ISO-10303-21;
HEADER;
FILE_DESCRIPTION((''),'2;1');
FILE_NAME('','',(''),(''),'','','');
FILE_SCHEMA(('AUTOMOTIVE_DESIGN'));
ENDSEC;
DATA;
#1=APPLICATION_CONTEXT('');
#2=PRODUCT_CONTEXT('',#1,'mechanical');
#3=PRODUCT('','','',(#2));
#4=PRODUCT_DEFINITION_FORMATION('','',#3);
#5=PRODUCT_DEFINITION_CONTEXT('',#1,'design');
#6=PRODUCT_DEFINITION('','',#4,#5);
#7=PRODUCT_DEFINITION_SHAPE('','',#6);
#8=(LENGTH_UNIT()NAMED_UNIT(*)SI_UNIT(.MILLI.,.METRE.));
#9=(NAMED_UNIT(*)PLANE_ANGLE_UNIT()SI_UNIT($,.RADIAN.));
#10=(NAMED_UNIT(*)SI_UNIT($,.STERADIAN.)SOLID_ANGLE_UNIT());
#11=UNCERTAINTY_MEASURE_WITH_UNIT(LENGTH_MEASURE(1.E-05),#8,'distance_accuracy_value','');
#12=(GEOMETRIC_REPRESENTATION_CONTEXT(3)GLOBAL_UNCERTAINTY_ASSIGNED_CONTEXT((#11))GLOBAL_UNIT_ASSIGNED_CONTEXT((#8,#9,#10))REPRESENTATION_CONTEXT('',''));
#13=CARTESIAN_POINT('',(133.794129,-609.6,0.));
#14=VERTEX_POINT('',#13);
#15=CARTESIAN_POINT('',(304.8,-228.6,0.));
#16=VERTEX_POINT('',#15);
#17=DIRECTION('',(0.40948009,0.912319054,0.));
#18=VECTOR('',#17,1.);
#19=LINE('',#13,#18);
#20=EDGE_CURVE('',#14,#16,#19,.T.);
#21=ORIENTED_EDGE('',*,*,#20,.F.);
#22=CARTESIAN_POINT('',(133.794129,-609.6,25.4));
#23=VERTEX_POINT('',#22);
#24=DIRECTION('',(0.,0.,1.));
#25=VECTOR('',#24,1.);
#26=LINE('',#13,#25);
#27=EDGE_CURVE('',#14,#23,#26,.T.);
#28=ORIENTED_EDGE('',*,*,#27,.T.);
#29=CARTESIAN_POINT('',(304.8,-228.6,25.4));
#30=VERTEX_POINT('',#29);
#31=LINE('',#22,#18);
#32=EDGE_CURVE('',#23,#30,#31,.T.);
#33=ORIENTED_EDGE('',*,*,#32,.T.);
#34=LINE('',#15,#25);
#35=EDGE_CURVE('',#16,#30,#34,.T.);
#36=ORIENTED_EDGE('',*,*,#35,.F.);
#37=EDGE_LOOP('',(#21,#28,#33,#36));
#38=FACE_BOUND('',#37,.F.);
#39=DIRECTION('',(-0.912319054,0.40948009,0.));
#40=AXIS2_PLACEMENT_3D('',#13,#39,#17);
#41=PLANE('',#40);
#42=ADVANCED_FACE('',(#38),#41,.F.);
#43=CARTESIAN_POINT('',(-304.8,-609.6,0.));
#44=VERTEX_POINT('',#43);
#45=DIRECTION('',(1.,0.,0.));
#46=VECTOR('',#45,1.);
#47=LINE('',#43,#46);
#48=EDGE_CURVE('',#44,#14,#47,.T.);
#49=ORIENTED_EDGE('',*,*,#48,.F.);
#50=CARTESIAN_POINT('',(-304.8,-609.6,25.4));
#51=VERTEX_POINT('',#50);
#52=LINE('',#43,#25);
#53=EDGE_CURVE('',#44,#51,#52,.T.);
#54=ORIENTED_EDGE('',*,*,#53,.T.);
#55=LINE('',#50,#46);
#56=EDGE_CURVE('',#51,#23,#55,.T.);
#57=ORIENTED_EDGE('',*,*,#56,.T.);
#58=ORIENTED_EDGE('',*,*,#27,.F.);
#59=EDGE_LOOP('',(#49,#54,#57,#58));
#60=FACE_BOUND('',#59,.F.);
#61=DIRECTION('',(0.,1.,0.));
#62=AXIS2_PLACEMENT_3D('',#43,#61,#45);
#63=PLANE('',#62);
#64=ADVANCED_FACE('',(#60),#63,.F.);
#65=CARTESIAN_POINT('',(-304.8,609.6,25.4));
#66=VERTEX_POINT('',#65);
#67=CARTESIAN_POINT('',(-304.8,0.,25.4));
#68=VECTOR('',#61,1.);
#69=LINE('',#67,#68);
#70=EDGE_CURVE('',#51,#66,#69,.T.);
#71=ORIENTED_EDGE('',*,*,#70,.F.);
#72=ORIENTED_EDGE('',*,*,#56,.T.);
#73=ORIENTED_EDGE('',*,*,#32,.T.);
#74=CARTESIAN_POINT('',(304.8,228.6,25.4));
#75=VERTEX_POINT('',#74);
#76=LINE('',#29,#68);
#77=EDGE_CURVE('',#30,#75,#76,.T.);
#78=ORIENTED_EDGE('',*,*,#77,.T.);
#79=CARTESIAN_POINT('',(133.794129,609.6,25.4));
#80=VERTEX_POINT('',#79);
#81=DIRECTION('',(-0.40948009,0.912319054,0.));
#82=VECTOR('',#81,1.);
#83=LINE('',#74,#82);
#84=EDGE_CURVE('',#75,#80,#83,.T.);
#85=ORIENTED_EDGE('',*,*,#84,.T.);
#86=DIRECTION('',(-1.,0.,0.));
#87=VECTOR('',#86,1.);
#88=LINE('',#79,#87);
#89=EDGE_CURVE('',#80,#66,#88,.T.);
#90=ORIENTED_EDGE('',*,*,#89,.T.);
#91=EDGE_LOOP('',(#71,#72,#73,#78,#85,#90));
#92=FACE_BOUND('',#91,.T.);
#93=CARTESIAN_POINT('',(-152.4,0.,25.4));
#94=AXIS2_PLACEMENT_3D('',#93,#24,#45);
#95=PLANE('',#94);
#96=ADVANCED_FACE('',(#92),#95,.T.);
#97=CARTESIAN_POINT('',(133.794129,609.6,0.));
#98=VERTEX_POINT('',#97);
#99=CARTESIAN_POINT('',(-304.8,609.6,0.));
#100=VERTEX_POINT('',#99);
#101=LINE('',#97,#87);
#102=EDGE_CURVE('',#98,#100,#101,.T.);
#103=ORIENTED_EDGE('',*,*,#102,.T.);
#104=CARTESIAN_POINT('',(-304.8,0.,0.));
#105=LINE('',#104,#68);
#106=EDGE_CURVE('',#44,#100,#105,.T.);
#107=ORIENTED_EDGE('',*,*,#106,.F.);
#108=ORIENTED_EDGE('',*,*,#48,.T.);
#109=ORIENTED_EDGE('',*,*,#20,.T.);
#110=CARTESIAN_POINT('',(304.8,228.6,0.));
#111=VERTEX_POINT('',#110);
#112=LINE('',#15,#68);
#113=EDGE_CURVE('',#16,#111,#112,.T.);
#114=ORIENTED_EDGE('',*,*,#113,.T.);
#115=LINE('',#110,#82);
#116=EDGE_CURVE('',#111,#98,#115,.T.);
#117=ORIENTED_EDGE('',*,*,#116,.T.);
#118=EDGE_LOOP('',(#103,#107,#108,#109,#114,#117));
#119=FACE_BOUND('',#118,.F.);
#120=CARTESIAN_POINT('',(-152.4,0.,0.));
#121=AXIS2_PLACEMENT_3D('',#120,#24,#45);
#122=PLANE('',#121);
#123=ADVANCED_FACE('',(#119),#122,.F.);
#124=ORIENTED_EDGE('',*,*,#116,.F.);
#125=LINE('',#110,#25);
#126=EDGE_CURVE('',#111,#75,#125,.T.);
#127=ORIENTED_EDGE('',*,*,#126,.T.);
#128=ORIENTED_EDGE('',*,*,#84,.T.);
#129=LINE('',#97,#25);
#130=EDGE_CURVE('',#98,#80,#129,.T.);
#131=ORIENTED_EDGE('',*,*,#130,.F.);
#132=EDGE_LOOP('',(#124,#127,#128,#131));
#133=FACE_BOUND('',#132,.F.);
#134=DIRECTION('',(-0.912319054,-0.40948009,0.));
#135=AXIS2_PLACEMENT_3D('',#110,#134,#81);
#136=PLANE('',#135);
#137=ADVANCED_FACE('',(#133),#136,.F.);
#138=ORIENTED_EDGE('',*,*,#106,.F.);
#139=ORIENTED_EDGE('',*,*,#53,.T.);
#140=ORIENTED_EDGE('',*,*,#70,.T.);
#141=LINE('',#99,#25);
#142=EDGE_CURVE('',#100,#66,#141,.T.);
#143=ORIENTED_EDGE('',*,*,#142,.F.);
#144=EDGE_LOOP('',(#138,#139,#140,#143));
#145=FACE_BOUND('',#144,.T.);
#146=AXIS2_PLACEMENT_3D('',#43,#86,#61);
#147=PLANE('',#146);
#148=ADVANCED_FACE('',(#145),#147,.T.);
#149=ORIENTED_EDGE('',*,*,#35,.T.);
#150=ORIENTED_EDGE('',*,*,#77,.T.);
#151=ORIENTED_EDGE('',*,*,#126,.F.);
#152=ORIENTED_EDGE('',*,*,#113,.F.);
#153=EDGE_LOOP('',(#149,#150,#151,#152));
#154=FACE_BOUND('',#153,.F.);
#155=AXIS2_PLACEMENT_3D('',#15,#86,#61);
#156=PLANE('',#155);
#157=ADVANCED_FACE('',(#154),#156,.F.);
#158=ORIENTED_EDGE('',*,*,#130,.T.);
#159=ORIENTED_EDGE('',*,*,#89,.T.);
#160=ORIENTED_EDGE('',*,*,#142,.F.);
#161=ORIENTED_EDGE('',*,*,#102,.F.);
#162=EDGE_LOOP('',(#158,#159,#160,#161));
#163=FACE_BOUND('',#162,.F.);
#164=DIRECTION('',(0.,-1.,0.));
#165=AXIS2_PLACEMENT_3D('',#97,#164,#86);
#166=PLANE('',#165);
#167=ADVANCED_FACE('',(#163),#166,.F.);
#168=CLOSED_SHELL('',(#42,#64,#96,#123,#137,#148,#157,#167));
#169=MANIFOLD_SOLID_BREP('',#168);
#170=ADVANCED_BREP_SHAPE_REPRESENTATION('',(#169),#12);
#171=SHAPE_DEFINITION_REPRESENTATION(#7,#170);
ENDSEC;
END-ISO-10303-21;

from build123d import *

# Parameters (mm, degrees)
F0_W     = 304.8
F0_H     = 1219.2
F1_DEPTH = 25.4


with BuildPart() as f1:
    # F0 (on Top) → F1 (new body)
    with BuildSketch(Plane.XY):
        with Locations((-152.4, 0)):
            Rectangle(F0_W, F0_H)
        Polygon((0, -609.6), (133.794129, -609.6), (304.8, -228.6), (304.8, 228.6), (133.794129, 609.6), (0, 609.6), align=None)
    extrude(amount=F1_DEPTH)


solid = f1.part
